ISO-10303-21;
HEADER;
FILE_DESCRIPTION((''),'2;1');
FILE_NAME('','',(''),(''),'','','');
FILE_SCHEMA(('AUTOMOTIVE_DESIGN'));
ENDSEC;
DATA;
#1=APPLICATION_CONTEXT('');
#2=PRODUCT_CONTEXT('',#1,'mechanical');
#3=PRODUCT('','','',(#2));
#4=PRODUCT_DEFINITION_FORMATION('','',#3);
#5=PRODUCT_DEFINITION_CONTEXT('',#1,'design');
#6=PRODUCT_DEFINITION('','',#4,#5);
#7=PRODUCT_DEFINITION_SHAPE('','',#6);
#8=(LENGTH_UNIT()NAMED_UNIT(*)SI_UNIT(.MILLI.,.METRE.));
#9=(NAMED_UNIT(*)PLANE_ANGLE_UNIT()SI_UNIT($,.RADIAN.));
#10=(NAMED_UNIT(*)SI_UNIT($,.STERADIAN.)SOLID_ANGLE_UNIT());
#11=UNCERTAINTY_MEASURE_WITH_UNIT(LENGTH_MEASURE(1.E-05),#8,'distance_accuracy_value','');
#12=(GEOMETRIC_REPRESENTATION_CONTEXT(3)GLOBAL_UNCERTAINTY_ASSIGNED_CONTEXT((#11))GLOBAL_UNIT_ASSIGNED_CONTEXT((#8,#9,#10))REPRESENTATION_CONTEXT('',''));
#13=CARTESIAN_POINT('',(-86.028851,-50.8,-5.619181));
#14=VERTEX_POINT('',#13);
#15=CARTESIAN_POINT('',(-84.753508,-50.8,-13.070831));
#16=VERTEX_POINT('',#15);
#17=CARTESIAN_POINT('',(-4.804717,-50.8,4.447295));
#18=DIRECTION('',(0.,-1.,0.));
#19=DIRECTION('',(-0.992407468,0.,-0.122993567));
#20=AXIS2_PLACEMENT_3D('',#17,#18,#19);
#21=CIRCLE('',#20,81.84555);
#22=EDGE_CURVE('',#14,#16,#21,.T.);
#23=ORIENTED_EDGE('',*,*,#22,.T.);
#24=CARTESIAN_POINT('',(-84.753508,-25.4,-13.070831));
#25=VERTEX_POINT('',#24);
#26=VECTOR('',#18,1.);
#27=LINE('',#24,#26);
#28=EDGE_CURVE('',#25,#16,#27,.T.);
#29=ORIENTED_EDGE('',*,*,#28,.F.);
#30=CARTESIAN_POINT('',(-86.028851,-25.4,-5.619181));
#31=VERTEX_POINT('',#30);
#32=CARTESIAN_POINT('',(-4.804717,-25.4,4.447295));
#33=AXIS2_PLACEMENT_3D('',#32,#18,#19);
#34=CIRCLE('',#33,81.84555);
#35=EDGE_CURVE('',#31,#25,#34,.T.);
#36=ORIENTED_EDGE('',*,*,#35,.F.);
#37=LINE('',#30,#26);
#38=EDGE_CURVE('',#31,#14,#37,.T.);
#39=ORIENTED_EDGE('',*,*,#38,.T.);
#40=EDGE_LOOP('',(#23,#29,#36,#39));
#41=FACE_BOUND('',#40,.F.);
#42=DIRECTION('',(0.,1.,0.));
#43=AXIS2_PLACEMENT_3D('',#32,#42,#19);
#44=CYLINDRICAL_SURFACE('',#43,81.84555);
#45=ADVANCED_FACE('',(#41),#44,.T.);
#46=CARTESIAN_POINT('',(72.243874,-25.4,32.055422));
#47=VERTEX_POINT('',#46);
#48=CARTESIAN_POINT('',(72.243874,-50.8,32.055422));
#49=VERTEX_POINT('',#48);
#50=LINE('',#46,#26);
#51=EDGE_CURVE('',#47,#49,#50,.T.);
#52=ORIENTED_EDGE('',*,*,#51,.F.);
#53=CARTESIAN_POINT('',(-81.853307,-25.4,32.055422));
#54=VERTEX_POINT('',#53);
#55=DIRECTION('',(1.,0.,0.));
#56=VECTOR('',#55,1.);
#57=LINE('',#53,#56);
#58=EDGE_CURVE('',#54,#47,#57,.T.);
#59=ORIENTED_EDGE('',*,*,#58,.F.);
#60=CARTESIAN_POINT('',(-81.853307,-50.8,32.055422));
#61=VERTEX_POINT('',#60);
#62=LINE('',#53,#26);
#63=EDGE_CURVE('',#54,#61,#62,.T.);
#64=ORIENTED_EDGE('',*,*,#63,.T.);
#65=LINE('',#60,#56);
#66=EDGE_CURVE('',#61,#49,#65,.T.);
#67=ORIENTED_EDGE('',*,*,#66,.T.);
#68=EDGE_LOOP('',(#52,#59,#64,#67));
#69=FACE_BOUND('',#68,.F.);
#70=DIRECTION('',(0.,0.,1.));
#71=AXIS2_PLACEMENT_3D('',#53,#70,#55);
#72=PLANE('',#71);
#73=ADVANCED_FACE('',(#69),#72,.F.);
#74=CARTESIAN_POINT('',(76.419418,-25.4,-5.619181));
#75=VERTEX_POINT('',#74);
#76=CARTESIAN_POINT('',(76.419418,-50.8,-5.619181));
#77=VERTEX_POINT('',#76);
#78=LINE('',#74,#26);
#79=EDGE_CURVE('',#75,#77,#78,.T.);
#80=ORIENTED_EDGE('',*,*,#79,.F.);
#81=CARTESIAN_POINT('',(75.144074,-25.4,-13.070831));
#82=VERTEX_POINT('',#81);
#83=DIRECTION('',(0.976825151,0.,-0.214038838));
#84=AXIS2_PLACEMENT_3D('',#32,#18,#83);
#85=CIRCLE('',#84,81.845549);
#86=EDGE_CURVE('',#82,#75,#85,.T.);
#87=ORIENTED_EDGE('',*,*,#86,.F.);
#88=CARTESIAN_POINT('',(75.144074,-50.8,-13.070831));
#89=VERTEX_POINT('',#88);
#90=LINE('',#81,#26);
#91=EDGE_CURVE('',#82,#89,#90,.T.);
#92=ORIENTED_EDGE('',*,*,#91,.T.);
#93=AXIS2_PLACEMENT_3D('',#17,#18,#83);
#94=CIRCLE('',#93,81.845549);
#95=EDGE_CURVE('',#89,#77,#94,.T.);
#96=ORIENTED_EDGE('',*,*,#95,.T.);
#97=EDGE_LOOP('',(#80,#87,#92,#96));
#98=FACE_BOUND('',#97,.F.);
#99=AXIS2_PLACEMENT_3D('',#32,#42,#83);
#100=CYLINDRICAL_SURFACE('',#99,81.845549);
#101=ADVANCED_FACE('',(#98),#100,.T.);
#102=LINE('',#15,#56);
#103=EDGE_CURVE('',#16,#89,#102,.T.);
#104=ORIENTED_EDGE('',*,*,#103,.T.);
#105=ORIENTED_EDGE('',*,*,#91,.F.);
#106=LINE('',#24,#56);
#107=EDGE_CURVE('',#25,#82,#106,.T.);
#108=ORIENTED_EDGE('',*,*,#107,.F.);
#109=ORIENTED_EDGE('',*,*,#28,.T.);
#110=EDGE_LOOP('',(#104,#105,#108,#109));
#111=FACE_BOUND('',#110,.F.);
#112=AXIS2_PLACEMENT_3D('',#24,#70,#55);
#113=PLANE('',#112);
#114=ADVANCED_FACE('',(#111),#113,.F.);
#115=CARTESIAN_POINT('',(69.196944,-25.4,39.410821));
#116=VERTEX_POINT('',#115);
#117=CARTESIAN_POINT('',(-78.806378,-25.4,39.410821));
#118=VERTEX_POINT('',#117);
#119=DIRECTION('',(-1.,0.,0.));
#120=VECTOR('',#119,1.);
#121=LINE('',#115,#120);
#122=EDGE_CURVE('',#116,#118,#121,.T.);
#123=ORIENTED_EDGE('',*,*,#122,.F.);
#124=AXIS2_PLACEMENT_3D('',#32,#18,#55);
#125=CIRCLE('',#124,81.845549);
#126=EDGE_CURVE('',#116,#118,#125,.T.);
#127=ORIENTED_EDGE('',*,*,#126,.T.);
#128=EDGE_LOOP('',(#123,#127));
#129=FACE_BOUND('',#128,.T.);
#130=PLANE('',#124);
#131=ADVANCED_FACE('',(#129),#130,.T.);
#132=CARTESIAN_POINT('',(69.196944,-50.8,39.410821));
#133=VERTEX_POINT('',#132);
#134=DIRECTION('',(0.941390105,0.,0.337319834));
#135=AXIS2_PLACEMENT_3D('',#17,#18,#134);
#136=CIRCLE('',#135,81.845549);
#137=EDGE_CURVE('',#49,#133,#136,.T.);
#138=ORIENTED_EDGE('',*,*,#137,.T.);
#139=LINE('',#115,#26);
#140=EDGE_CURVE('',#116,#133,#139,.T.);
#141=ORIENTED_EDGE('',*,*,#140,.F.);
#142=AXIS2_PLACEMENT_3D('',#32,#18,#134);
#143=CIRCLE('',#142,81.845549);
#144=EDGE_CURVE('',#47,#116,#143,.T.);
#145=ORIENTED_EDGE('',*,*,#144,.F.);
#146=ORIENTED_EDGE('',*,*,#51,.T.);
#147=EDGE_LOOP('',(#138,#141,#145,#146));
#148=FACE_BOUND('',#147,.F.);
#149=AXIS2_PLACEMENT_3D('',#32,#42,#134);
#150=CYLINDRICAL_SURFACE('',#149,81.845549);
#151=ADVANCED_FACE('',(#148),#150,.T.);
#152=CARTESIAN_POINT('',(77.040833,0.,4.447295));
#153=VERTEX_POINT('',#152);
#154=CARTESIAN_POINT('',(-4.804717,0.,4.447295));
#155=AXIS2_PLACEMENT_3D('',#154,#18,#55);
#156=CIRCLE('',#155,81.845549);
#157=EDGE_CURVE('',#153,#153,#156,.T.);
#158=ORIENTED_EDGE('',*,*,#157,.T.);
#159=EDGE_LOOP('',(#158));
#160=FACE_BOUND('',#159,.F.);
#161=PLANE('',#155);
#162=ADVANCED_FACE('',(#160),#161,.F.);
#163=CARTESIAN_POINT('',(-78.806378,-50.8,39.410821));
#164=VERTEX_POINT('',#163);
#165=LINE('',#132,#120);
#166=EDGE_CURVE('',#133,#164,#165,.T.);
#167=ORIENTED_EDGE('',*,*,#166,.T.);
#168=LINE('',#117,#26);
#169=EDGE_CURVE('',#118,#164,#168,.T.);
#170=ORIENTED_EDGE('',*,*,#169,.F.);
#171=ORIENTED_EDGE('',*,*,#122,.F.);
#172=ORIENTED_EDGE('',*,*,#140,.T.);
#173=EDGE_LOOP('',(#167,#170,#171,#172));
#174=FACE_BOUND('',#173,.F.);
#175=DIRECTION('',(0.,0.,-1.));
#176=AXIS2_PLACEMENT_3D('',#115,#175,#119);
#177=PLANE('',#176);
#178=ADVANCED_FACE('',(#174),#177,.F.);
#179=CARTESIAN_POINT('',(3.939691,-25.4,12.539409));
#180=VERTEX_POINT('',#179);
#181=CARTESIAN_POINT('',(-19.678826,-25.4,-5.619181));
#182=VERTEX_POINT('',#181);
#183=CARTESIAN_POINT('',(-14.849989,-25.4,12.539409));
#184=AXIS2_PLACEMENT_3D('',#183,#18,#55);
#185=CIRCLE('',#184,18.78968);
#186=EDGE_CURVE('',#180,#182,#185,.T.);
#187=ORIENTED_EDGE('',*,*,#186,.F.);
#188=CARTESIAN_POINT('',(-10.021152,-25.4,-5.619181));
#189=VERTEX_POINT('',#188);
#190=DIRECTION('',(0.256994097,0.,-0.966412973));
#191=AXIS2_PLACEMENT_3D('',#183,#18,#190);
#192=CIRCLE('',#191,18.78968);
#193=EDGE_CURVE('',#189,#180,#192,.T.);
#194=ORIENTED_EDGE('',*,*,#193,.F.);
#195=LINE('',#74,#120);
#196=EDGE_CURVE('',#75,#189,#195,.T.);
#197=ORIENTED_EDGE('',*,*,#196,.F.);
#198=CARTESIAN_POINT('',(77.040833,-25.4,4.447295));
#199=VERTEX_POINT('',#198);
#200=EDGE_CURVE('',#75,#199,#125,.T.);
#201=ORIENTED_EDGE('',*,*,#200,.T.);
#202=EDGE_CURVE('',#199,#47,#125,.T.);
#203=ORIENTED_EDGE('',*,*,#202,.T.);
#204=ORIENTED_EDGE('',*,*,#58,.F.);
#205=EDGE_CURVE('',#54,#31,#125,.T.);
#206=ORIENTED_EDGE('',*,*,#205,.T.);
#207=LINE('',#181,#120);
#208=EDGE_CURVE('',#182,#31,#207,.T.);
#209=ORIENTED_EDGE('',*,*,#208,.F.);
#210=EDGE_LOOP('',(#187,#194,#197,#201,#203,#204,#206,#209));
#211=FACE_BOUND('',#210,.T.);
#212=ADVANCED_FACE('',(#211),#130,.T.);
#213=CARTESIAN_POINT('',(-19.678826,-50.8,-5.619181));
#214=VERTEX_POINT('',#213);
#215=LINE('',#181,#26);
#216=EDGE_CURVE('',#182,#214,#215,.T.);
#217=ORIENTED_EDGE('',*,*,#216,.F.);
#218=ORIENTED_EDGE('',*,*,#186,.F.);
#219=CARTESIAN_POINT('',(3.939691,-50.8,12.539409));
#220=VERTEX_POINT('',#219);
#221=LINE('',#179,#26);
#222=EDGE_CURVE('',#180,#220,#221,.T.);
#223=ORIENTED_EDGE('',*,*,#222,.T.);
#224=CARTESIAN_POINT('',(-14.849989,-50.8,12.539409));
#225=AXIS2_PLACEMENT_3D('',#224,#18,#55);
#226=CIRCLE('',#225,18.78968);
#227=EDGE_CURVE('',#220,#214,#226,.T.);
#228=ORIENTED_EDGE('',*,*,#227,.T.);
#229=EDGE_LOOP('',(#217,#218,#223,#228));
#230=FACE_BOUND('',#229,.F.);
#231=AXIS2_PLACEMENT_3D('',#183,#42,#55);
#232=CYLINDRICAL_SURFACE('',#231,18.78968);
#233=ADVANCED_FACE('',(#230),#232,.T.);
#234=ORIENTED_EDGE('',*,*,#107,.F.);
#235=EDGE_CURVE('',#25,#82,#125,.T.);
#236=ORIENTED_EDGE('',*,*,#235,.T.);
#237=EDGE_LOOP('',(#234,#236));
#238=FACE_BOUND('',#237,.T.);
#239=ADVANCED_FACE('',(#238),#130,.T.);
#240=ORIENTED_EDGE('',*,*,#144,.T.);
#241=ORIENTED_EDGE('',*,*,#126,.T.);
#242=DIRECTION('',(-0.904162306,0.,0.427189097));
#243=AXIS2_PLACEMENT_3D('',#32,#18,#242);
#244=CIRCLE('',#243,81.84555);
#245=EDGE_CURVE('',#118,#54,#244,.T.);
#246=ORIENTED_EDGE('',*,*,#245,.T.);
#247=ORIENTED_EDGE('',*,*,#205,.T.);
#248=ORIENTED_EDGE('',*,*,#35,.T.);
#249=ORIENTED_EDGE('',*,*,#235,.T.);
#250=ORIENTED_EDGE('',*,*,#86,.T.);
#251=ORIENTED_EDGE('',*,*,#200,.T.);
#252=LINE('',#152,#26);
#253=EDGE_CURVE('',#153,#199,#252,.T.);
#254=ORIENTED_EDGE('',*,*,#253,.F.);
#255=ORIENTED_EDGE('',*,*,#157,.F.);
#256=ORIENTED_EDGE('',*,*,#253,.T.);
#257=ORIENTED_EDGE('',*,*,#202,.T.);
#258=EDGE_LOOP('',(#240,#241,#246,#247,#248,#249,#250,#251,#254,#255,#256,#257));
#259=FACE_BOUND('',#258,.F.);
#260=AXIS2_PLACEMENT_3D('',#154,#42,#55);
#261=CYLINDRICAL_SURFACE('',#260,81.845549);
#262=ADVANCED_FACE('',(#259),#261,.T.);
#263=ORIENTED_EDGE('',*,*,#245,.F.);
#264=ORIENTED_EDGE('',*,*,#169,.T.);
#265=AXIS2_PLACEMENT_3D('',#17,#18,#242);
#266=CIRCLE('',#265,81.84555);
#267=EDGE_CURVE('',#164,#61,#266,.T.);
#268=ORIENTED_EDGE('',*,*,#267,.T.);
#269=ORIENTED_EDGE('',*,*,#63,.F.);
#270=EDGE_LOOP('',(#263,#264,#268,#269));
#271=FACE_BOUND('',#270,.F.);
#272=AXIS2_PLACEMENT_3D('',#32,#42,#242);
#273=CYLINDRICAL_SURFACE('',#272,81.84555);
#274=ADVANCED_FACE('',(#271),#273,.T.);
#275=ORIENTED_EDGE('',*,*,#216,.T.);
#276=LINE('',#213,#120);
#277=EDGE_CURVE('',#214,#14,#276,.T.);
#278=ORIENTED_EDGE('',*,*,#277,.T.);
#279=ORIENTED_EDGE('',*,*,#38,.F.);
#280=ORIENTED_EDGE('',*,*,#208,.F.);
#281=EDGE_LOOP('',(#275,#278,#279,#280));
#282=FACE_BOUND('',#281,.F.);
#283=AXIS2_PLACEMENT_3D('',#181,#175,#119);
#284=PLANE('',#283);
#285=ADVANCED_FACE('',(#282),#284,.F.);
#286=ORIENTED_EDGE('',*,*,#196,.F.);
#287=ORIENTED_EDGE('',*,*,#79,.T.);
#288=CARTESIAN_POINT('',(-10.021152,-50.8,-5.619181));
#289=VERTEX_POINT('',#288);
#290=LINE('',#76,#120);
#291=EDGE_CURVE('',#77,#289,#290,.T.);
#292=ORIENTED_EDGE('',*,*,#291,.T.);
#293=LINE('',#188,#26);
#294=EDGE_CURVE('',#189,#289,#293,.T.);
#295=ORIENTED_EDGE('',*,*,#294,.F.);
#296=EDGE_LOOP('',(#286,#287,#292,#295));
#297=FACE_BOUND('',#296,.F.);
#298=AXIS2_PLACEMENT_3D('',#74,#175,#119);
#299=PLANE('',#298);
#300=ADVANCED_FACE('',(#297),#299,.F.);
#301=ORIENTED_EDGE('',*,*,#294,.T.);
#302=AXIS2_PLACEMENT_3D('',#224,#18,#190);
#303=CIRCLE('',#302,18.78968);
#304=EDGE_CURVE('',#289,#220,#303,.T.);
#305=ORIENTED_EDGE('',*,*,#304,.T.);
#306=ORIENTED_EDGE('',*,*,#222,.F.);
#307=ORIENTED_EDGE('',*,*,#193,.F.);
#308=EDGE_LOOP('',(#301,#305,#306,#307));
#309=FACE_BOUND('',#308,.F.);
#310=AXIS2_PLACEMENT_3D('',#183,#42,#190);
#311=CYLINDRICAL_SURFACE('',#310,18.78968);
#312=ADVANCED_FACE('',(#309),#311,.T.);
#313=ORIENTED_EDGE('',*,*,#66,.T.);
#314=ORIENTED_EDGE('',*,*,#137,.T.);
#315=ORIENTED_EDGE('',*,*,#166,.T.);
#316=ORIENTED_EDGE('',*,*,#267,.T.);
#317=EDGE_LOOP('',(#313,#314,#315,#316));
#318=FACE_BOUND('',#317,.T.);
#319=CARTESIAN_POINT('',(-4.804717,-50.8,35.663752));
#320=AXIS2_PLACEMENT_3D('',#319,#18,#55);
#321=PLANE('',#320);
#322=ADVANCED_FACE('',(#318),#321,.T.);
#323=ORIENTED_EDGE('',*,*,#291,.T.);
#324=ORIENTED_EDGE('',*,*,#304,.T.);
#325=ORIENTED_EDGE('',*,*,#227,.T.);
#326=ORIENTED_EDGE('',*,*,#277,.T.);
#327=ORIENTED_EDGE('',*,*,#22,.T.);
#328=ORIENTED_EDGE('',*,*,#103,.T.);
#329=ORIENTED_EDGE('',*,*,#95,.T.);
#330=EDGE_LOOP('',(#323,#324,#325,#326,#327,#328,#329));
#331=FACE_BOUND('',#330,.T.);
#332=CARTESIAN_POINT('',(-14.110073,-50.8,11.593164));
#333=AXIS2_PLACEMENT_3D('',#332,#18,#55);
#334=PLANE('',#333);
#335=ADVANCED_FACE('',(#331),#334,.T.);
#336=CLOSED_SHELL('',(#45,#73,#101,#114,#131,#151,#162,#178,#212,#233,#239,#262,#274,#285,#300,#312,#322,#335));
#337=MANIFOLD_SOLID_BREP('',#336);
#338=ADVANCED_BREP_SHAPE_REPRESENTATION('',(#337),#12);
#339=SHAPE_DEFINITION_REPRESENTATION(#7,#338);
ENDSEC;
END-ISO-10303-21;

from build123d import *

# Parameters (mm, degrees)
F0_R     = 81.8455494857
F1_DEPTH = 25.4
F3_DEPTH = 25.4


with BuildPart() as f1:
    # F0 (on Front) → F1 (new body)
    with BuildSketch(Plane.XZ):
        with Locations((-4.8047169112, 4.4472948648)):
            Circle(F0_R)
    extrude(amount=F1_DEPTH)

    # F2 (on face) → F3 (join)
    with BuildSketch(Plane.XZ.offset(25.4)):
        with BuildLine():
            ThreePointArc((-10.0211519488, -5.6191812157), (0.0460571122, 1.0869034824), (3.9396910589, 12.539409101))
            ThreePointArc((3.9396910589, 12.539409101), (-26.3024943623, 27.4354549568), (-19.6788255386, -5.6191812157))
            Line((-19.6788255386, -5.6191812157), (-10.0211519488, -5.6191812157))
        make_face()
        with BuildLine():
            Line((-10.0211519488, -5.6191812157), (-19.6788255386, -5.6191812157))
            ThreePointArc((-19.6788255386, -5.6191812157), (-14.8499887437, -6.2502707016), (-10.0211519488, -5.6191812157))
        make_face()
        with BuildLine():
            ThreePointArc((-78.8063776433, 39.4108212817), (-80.4193323461, 35.7701922921), (-81.8533073255, 32.0554220338))
            Line((-81.8533073255, 32.0554220338), (72.2438735032, 32.0554220338))
            ThreePointArc((72.2438735032, 32.0554220338), (70.8098985238, 35.7701922921), (69.1969438209, 39.4108212817))
            Line((69.1969438209, 39.4108212817), (-78.8063776433, 39.4108212817))
        make_face()
        with BuildLine():
            Line((-19.6788255386, -5.6191812157), (-86.0288514399, -5.6191812157))
            ThreePointArc((-86.0288514399, -5.6191812157), (-85.4772635025, -9.3597394685), (-84.7535081589, -13.0708314233))
            Line((-84.7535081589, -13.0708314233), (75.1440743365, -13.0708314233))
            ThreePointArc((75.1440743365, -13.0708314233), (75.8678296802, -9.3597394685), (76.4194176175, -5.6191812157))
            Line((76.4194176175, -5.6191812157), (-10.0211519488, -5.6191812157))
            ThreePointArc((-10.0211519488, -5.6191812157), (-14.8499887437, -6.2502707016), (-19.6788255386, -5.6191812157))
        make_face()
    extrude(amount=F3_DEPTH)


solid = f1.part
